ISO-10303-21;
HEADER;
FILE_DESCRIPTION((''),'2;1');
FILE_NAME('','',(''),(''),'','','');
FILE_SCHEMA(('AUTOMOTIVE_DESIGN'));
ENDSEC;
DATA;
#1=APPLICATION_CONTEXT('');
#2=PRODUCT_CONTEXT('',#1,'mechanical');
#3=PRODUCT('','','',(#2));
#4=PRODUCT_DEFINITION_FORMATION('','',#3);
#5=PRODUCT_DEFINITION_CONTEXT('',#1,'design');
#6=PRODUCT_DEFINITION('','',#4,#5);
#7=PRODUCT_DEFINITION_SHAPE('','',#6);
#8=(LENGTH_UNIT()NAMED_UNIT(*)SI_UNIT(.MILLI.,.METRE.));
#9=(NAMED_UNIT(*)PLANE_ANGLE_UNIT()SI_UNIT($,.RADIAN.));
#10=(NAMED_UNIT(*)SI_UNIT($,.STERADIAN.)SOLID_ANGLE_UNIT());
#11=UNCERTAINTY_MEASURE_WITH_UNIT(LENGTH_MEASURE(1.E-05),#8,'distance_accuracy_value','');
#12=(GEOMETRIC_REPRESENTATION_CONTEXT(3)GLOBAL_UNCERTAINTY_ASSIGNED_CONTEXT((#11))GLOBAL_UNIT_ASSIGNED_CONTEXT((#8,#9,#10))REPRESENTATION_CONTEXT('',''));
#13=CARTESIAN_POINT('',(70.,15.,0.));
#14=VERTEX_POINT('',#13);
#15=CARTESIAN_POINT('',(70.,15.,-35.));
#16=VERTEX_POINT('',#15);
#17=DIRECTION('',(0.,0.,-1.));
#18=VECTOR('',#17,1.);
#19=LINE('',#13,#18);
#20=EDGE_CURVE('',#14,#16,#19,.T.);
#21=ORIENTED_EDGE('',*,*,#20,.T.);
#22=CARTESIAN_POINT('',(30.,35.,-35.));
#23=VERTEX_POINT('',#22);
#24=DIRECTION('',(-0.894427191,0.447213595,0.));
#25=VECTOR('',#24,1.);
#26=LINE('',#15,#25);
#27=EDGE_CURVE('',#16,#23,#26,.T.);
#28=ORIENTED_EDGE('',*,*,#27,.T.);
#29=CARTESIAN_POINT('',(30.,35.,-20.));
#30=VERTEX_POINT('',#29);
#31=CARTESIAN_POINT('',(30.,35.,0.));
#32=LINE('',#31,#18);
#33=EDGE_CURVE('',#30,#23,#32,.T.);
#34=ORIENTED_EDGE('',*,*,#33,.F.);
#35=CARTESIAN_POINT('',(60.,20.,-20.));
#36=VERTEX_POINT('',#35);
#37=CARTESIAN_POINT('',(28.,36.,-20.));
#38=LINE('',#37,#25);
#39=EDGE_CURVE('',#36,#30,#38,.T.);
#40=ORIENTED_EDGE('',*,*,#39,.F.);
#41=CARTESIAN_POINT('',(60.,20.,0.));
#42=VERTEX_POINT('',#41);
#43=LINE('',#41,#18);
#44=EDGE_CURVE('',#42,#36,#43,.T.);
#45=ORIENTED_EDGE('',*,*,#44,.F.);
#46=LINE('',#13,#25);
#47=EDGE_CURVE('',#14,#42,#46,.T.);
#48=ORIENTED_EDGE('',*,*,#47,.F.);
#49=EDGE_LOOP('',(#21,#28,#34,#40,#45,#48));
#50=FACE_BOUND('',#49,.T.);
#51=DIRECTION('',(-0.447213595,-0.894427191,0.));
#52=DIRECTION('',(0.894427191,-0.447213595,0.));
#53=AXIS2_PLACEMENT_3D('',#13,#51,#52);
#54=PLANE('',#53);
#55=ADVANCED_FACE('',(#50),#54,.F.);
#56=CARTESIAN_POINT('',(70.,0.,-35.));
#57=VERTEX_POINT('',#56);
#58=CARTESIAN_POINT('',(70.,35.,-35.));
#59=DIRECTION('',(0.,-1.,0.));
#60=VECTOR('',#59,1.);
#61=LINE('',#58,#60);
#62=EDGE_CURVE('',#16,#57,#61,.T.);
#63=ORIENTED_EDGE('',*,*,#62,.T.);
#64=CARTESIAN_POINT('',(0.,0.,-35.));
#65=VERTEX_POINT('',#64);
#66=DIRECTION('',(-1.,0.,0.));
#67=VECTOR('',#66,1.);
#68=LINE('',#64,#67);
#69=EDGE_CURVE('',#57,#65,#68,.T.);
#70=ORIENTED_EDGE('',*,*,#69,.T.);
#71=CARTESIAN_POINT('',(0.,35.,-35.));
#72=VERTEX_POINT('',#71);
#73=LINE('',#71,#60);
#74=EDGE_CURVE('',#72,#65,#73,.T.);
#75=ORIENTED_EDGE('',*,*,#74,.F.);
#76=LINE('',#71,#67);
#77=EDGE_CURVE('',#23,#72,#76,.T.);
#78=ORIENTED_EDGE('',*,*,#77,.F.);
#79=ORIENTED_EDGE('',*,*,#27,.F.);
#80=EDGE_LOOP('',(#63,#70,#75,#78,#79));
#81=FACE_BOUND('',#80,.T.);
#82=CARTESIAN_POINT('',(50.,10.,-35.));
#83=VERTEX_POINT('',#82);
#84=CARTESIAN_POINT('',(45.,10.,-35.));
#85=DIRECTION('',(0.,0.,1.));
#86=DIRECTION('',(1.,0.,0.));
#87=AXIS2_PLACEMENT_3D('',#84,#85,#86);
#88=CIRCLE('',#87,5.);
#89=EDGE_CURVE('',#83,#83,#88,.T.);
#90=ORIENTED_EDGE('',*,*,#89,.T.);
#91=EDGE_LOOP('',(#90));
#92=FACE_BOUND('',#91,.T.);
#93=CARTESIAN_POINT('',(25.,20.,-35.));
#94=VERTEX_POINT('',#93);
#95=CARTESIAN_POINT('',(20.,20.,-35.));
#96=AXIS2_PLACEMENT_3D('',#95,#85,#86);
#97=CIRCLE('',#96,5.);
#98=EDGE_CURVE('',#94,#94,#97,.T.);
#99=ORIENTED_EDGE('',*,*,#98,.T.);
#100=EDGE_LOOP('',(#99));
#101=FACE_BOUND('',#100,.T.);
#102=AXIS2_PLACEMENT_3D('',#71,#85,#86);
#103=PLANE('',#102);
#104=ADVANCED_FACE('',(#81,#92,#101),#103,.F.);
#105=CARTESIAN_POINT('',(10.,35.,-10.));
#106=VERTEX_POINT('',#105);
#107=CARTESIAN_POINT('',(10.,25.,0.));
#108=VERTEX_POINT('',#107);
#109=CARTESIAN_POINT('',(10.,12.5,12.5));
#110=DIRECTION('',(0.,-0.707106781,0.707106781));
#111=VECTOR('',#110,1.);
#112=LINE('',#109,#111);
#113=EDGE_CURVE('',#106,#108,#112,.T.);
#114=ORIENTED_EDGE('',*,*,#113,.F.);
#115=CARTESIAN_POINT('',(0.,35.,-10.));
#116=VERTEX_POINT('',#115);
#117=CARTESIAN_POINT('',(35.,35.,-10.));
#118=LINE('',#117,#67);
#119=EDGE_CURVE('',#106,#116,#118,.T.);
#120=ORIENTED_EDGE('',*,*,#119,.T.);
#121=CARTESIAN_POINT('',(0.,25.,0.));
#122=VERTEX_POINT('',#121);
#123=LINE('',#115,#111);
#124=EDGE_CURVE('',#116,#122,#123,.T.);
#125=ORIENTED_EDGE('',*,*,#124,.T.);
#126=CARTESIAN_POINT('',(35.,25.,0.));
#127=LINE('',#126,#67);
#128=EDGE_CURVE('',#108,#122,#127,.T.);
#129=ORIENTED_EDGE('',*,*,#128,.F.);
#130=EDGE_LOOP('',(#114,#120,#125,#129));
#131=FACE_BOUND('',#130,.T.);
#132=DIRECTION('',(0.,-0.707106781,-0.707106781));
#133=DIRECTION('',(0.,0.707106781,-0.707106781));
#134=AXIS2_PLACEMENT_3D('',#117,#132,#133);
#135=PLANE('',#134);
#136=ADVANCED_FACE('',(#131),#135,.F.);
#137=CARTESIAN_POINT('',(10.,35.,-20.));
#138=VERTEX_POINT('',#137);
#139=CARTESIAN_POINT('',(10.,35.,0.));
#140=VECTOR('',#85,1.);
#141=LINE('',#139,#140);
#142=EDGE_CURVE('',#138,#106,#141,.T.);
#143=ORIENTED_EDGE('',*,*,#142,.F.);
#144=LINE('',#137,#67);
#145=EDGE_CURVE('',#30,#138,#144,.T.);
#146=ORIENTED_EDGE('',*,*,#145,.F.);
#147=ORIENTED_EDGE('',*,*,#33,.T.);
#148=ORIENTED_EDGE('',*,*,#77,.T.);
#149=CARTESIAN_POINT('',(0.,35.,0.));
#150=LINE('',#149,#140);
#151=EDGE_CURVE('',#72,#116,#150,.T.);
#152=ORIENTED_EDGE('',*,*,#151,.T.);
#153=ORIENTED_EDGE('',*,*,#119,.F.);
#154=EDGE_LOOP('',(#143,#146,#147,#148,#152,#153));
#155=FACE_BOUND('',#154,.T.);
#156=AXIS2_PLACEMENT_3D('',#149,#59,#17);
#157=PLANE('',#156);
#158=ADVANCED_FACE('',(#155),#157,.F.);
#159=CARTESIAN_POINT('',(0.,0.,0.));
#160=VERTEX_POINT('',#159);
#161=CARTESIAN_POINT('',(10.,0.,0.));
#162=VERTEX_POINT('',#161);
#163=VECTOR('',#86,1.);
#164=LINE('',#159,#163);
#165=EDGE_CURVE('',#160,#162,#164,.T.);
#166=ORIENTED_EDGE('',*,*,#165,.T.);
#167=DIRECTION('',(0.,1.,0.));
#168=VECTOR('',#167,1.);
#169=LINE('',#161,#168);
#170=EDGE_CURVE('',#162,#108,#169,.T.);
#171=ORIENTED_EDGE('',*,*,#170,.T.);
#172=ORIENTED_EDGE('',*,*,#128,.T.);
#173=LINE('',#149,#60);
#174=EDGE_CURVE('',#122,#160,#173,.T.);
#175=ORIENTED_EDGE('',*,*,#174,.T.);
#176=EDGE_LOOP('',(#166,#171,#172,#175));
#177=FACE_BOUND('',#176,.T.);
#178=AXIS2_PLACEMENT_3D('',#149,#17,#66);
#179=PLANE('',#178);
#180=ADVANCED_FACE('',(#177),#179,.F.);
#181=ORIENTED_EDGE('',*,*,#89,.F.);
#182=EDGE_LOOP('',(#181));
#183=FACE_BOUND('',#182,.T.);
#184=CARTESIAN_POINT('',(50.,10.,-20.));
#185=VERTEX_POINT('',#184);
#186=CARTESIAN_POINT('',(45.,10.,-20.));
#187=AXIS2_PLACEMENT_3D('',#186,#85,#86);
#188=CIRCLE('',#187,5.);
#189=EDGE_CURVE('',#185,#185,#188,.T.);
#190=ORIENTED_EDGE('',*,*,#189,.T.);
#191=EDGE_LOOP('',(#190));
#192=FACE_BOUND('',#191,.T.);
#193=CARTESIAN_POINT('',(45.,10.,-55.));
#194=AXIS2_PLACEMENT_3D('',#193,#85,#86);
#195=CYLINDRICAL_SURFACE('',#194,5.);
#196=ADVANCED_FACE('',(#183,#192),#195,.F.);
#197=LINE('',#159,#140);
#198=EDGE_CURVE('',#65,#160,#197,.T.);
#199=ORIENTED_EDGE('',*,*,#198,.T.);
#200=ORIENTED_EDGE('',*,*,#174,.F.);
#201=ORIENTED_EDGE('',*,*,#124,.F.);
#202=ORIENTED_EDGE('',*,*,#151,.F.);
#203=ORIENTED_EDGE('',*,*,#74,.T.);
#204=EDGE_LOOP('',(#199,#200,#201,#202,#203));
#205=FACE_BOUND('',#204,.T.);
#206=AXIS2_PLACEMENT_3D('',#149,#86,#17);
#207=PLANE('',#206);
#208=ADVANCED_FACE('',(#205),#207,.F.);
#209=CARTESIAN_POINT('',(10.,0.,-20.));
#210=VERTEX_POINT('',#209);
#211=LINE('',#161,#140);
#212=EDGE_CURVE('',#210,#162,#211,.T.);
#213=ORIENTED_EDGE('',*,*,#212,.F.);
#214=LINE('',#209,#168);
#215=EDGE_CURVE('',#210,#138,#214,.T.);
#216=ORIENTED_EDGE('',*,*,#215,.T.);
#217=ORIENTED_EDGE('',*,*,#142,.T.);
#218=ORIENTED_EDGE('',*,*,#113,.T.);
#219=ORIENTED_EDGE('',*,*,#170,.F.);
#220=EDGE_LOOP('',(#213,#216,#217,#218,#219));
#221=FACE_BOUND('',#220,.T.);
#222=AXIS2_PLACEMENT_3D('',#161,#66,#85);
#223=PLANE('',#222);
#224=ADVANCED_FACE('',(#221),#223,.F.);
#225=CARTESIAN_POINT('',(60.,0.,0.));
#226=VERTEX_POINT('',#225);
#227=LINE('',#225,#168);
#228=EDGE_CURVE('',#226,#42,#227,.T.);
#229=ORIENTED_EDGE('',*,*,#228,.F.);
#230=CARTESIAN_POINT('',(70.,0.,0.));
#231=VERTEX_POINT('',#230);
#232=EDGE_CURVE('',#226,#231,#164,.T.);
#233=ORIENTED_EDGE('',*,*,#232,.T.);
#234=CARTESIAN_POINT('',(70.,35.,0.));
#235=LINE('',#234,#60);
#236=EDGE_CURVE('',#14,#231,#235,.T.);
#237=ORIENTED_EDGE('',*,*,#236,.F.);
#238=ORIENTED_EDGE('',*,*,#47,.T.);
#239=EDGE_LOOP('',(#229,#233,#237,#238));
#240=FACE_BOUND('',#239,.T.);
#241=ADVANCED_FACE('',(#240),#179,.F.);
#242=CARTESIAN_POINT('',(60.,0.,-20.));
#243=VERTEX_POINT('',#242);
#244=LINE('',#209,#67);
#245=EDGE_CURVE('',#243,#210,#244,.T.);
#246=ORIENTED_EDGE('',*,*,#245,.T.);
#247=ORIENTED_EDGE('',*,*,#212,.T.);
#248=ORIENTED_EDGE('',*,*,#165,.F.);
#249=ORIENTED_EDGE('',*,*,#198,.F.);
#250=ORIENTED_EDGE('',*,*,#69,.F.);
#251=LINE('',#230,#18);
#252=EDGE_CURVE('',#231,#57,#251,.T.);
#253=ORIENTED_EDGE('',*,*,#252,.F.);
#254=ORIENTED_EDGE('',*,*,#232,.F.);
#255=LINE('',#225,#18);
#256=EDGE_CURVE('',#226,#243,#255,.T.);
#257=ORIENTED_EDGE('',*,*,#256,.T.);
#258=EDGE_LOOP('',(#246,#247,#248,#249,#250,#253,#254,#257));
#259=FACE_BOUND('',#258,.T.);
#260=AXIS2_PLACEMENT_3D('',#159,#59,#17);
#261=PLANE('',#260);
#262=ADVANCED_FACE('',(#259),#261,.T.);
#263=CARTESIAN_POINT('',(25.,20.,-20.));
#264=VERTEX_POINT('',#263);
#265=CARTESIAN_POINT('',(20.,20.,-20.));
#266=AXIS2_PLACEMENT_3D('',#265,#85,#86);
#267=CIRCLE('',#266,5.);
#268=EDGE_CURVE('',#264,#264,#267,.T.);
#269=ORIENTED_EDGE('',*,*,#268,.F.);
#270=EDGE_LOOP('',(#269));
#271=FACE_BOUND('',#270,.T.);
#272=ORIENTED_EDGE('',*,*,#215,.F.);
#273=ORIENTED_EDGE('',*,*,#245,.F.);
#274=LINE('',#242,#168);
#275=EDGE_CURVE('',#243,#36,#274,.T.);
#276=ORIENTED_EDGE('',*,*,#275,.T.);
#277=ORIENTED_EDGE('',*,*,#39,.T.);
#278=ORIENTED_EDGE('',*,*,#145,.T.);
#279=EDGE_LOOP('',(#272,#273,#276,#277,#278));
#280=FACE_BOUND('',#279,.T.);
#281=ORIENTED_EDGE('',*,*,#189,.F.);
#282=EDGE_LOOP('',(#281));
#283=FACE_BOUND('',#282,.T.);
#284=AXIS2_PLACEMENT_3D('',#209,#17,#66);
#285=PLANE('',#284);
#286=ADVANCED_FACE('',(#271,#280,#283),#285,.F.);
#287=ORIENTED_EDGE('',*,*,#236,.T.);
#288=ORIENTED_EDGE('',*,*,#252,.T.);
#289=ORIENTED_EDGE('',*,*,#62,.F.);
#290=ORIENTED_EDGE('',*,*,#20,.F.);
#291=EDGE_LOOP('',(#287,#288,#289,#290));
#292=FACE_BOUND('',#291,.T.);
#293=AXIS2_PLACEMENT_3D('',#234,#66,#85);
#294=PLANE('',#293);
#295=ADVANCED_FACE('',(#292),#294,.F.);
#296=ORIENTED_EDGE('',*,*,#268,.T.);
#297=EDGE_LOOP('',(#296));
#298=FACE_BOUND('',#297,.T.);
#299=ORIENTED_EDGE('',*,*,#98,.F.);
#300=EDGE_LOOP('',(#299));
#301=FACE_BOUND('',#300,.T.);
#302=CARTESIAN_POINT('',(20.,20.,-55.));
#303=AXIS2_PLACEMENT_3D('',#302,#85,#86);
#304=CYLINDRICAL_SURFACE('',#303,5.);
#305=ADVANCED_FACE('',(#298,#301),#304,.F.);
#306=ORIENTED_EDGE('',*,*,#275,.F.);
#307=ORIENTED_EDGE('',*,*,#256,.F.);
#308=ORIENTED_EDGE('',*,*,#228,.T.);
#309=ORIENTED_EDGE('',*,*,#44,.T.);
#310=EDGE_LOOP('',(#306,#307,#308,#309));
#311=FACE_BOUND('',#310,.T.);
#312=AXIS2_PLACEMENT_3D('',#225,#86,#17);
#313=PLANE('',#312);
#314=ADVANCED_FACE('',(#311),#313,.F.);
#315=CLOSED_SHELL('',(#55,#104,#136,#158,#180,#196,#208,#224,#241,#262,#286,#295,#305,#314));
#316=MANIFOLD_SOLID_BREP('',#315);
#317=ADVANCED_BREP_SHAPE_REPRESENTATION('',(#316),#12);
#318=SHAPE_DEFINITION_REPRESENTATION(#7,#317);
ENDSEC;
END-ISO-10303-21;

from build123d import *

# Parameters (mm, degrees)
SKETCH1_W           = 70
SKETCH1_H           = 35
BOSS_EXTRUDE1_DEPTH = 35
SKETCH2_W           = 50
SKETCH2_H           = 20
CUT_EXTRUDE1_DEPTH  = 36
CUT_EXTRUDE2_DEPTH  = 36
CUT_EXTRUDE3_DEPTH  = 35
SKETCH5_R           = 5
CUT_EXTRUDE4_DEPTH  = 35
SKETCH6_R           = 5
CUT_EXTRUDE5_DEPTH  = 35


with BuildPart() as part:
    # Sketch1 → Boss-Extrude1 (new body)
    with BuildSketch(Plane(origin=(0, 0, 0), x_dir=(1, 0, 0), z_dir=(0, 1, 0))):
        with Locations((35, 17.5)):
            Rectangle(SKETCH1_W, SKETCH1_H)
    extrude(amount=BOSS_EXTRUDE1_DEPTH)

    # Sketch2 → Cut-Extrude1 (cut, through all)
    with BuildSketch(Plane(origin=(0, 35, 0), x_dir=(1, 0, 0), z_dir=(0, 1, 0))):
        with Locations((35, 10)):
            Rectangle(SKETCH2_W, SKETCH2_H)
    extrude(amount=-CUT_EXTRUDE1_DEPTH, mode=Mode.SUBTRACT)

    # Sketch3 → Cut-Extrude2 (cut, through all)
    with BuildSketch(Plane(origin=(0, 0, -35), x_dir=(-1, 0, 0), z_dir=(0, 0, -1))):
        Polygon((-70, 35), (-70, 15), (-30, 35), align=None)
    extrude(amount=-CUT_EXTRUDE2_DEPTH, mode=Mode.SUBTRACT)

    # Sketch4 → Cut-Extrude3 (cut)
    with BuildSketch(Plane.ZY):
        Polygon((0, 35), (-10, 35), (0, 25), align=None)
    extrude(amount=-CUT_EXTRUDE3_DEPTH, mode=Mode.SUBTRACT)

    # Sketch5 → Cut-Extrude4 (cut)
    with BuildSketch(Plane.XY.offset(-20)):
        with Locations((20, 20)):
            Circle(SKETCH5_R)
    extrude(amount=-CUT_EXTRUDE4_DEPTH, mode=Mode.SUBTRACT)

    # Sketch6 → Cut-Extrude5 (cut)
    with BuildSketch(Plane.XY.offset(-20)):
        with Locations((45, 10)):
            Circle(SKETCH6_R)
    extrude(amount=-CUT_EXTRUDE5_DEPTH, mode=Mode.SUBTRACT)


solid = part.part
